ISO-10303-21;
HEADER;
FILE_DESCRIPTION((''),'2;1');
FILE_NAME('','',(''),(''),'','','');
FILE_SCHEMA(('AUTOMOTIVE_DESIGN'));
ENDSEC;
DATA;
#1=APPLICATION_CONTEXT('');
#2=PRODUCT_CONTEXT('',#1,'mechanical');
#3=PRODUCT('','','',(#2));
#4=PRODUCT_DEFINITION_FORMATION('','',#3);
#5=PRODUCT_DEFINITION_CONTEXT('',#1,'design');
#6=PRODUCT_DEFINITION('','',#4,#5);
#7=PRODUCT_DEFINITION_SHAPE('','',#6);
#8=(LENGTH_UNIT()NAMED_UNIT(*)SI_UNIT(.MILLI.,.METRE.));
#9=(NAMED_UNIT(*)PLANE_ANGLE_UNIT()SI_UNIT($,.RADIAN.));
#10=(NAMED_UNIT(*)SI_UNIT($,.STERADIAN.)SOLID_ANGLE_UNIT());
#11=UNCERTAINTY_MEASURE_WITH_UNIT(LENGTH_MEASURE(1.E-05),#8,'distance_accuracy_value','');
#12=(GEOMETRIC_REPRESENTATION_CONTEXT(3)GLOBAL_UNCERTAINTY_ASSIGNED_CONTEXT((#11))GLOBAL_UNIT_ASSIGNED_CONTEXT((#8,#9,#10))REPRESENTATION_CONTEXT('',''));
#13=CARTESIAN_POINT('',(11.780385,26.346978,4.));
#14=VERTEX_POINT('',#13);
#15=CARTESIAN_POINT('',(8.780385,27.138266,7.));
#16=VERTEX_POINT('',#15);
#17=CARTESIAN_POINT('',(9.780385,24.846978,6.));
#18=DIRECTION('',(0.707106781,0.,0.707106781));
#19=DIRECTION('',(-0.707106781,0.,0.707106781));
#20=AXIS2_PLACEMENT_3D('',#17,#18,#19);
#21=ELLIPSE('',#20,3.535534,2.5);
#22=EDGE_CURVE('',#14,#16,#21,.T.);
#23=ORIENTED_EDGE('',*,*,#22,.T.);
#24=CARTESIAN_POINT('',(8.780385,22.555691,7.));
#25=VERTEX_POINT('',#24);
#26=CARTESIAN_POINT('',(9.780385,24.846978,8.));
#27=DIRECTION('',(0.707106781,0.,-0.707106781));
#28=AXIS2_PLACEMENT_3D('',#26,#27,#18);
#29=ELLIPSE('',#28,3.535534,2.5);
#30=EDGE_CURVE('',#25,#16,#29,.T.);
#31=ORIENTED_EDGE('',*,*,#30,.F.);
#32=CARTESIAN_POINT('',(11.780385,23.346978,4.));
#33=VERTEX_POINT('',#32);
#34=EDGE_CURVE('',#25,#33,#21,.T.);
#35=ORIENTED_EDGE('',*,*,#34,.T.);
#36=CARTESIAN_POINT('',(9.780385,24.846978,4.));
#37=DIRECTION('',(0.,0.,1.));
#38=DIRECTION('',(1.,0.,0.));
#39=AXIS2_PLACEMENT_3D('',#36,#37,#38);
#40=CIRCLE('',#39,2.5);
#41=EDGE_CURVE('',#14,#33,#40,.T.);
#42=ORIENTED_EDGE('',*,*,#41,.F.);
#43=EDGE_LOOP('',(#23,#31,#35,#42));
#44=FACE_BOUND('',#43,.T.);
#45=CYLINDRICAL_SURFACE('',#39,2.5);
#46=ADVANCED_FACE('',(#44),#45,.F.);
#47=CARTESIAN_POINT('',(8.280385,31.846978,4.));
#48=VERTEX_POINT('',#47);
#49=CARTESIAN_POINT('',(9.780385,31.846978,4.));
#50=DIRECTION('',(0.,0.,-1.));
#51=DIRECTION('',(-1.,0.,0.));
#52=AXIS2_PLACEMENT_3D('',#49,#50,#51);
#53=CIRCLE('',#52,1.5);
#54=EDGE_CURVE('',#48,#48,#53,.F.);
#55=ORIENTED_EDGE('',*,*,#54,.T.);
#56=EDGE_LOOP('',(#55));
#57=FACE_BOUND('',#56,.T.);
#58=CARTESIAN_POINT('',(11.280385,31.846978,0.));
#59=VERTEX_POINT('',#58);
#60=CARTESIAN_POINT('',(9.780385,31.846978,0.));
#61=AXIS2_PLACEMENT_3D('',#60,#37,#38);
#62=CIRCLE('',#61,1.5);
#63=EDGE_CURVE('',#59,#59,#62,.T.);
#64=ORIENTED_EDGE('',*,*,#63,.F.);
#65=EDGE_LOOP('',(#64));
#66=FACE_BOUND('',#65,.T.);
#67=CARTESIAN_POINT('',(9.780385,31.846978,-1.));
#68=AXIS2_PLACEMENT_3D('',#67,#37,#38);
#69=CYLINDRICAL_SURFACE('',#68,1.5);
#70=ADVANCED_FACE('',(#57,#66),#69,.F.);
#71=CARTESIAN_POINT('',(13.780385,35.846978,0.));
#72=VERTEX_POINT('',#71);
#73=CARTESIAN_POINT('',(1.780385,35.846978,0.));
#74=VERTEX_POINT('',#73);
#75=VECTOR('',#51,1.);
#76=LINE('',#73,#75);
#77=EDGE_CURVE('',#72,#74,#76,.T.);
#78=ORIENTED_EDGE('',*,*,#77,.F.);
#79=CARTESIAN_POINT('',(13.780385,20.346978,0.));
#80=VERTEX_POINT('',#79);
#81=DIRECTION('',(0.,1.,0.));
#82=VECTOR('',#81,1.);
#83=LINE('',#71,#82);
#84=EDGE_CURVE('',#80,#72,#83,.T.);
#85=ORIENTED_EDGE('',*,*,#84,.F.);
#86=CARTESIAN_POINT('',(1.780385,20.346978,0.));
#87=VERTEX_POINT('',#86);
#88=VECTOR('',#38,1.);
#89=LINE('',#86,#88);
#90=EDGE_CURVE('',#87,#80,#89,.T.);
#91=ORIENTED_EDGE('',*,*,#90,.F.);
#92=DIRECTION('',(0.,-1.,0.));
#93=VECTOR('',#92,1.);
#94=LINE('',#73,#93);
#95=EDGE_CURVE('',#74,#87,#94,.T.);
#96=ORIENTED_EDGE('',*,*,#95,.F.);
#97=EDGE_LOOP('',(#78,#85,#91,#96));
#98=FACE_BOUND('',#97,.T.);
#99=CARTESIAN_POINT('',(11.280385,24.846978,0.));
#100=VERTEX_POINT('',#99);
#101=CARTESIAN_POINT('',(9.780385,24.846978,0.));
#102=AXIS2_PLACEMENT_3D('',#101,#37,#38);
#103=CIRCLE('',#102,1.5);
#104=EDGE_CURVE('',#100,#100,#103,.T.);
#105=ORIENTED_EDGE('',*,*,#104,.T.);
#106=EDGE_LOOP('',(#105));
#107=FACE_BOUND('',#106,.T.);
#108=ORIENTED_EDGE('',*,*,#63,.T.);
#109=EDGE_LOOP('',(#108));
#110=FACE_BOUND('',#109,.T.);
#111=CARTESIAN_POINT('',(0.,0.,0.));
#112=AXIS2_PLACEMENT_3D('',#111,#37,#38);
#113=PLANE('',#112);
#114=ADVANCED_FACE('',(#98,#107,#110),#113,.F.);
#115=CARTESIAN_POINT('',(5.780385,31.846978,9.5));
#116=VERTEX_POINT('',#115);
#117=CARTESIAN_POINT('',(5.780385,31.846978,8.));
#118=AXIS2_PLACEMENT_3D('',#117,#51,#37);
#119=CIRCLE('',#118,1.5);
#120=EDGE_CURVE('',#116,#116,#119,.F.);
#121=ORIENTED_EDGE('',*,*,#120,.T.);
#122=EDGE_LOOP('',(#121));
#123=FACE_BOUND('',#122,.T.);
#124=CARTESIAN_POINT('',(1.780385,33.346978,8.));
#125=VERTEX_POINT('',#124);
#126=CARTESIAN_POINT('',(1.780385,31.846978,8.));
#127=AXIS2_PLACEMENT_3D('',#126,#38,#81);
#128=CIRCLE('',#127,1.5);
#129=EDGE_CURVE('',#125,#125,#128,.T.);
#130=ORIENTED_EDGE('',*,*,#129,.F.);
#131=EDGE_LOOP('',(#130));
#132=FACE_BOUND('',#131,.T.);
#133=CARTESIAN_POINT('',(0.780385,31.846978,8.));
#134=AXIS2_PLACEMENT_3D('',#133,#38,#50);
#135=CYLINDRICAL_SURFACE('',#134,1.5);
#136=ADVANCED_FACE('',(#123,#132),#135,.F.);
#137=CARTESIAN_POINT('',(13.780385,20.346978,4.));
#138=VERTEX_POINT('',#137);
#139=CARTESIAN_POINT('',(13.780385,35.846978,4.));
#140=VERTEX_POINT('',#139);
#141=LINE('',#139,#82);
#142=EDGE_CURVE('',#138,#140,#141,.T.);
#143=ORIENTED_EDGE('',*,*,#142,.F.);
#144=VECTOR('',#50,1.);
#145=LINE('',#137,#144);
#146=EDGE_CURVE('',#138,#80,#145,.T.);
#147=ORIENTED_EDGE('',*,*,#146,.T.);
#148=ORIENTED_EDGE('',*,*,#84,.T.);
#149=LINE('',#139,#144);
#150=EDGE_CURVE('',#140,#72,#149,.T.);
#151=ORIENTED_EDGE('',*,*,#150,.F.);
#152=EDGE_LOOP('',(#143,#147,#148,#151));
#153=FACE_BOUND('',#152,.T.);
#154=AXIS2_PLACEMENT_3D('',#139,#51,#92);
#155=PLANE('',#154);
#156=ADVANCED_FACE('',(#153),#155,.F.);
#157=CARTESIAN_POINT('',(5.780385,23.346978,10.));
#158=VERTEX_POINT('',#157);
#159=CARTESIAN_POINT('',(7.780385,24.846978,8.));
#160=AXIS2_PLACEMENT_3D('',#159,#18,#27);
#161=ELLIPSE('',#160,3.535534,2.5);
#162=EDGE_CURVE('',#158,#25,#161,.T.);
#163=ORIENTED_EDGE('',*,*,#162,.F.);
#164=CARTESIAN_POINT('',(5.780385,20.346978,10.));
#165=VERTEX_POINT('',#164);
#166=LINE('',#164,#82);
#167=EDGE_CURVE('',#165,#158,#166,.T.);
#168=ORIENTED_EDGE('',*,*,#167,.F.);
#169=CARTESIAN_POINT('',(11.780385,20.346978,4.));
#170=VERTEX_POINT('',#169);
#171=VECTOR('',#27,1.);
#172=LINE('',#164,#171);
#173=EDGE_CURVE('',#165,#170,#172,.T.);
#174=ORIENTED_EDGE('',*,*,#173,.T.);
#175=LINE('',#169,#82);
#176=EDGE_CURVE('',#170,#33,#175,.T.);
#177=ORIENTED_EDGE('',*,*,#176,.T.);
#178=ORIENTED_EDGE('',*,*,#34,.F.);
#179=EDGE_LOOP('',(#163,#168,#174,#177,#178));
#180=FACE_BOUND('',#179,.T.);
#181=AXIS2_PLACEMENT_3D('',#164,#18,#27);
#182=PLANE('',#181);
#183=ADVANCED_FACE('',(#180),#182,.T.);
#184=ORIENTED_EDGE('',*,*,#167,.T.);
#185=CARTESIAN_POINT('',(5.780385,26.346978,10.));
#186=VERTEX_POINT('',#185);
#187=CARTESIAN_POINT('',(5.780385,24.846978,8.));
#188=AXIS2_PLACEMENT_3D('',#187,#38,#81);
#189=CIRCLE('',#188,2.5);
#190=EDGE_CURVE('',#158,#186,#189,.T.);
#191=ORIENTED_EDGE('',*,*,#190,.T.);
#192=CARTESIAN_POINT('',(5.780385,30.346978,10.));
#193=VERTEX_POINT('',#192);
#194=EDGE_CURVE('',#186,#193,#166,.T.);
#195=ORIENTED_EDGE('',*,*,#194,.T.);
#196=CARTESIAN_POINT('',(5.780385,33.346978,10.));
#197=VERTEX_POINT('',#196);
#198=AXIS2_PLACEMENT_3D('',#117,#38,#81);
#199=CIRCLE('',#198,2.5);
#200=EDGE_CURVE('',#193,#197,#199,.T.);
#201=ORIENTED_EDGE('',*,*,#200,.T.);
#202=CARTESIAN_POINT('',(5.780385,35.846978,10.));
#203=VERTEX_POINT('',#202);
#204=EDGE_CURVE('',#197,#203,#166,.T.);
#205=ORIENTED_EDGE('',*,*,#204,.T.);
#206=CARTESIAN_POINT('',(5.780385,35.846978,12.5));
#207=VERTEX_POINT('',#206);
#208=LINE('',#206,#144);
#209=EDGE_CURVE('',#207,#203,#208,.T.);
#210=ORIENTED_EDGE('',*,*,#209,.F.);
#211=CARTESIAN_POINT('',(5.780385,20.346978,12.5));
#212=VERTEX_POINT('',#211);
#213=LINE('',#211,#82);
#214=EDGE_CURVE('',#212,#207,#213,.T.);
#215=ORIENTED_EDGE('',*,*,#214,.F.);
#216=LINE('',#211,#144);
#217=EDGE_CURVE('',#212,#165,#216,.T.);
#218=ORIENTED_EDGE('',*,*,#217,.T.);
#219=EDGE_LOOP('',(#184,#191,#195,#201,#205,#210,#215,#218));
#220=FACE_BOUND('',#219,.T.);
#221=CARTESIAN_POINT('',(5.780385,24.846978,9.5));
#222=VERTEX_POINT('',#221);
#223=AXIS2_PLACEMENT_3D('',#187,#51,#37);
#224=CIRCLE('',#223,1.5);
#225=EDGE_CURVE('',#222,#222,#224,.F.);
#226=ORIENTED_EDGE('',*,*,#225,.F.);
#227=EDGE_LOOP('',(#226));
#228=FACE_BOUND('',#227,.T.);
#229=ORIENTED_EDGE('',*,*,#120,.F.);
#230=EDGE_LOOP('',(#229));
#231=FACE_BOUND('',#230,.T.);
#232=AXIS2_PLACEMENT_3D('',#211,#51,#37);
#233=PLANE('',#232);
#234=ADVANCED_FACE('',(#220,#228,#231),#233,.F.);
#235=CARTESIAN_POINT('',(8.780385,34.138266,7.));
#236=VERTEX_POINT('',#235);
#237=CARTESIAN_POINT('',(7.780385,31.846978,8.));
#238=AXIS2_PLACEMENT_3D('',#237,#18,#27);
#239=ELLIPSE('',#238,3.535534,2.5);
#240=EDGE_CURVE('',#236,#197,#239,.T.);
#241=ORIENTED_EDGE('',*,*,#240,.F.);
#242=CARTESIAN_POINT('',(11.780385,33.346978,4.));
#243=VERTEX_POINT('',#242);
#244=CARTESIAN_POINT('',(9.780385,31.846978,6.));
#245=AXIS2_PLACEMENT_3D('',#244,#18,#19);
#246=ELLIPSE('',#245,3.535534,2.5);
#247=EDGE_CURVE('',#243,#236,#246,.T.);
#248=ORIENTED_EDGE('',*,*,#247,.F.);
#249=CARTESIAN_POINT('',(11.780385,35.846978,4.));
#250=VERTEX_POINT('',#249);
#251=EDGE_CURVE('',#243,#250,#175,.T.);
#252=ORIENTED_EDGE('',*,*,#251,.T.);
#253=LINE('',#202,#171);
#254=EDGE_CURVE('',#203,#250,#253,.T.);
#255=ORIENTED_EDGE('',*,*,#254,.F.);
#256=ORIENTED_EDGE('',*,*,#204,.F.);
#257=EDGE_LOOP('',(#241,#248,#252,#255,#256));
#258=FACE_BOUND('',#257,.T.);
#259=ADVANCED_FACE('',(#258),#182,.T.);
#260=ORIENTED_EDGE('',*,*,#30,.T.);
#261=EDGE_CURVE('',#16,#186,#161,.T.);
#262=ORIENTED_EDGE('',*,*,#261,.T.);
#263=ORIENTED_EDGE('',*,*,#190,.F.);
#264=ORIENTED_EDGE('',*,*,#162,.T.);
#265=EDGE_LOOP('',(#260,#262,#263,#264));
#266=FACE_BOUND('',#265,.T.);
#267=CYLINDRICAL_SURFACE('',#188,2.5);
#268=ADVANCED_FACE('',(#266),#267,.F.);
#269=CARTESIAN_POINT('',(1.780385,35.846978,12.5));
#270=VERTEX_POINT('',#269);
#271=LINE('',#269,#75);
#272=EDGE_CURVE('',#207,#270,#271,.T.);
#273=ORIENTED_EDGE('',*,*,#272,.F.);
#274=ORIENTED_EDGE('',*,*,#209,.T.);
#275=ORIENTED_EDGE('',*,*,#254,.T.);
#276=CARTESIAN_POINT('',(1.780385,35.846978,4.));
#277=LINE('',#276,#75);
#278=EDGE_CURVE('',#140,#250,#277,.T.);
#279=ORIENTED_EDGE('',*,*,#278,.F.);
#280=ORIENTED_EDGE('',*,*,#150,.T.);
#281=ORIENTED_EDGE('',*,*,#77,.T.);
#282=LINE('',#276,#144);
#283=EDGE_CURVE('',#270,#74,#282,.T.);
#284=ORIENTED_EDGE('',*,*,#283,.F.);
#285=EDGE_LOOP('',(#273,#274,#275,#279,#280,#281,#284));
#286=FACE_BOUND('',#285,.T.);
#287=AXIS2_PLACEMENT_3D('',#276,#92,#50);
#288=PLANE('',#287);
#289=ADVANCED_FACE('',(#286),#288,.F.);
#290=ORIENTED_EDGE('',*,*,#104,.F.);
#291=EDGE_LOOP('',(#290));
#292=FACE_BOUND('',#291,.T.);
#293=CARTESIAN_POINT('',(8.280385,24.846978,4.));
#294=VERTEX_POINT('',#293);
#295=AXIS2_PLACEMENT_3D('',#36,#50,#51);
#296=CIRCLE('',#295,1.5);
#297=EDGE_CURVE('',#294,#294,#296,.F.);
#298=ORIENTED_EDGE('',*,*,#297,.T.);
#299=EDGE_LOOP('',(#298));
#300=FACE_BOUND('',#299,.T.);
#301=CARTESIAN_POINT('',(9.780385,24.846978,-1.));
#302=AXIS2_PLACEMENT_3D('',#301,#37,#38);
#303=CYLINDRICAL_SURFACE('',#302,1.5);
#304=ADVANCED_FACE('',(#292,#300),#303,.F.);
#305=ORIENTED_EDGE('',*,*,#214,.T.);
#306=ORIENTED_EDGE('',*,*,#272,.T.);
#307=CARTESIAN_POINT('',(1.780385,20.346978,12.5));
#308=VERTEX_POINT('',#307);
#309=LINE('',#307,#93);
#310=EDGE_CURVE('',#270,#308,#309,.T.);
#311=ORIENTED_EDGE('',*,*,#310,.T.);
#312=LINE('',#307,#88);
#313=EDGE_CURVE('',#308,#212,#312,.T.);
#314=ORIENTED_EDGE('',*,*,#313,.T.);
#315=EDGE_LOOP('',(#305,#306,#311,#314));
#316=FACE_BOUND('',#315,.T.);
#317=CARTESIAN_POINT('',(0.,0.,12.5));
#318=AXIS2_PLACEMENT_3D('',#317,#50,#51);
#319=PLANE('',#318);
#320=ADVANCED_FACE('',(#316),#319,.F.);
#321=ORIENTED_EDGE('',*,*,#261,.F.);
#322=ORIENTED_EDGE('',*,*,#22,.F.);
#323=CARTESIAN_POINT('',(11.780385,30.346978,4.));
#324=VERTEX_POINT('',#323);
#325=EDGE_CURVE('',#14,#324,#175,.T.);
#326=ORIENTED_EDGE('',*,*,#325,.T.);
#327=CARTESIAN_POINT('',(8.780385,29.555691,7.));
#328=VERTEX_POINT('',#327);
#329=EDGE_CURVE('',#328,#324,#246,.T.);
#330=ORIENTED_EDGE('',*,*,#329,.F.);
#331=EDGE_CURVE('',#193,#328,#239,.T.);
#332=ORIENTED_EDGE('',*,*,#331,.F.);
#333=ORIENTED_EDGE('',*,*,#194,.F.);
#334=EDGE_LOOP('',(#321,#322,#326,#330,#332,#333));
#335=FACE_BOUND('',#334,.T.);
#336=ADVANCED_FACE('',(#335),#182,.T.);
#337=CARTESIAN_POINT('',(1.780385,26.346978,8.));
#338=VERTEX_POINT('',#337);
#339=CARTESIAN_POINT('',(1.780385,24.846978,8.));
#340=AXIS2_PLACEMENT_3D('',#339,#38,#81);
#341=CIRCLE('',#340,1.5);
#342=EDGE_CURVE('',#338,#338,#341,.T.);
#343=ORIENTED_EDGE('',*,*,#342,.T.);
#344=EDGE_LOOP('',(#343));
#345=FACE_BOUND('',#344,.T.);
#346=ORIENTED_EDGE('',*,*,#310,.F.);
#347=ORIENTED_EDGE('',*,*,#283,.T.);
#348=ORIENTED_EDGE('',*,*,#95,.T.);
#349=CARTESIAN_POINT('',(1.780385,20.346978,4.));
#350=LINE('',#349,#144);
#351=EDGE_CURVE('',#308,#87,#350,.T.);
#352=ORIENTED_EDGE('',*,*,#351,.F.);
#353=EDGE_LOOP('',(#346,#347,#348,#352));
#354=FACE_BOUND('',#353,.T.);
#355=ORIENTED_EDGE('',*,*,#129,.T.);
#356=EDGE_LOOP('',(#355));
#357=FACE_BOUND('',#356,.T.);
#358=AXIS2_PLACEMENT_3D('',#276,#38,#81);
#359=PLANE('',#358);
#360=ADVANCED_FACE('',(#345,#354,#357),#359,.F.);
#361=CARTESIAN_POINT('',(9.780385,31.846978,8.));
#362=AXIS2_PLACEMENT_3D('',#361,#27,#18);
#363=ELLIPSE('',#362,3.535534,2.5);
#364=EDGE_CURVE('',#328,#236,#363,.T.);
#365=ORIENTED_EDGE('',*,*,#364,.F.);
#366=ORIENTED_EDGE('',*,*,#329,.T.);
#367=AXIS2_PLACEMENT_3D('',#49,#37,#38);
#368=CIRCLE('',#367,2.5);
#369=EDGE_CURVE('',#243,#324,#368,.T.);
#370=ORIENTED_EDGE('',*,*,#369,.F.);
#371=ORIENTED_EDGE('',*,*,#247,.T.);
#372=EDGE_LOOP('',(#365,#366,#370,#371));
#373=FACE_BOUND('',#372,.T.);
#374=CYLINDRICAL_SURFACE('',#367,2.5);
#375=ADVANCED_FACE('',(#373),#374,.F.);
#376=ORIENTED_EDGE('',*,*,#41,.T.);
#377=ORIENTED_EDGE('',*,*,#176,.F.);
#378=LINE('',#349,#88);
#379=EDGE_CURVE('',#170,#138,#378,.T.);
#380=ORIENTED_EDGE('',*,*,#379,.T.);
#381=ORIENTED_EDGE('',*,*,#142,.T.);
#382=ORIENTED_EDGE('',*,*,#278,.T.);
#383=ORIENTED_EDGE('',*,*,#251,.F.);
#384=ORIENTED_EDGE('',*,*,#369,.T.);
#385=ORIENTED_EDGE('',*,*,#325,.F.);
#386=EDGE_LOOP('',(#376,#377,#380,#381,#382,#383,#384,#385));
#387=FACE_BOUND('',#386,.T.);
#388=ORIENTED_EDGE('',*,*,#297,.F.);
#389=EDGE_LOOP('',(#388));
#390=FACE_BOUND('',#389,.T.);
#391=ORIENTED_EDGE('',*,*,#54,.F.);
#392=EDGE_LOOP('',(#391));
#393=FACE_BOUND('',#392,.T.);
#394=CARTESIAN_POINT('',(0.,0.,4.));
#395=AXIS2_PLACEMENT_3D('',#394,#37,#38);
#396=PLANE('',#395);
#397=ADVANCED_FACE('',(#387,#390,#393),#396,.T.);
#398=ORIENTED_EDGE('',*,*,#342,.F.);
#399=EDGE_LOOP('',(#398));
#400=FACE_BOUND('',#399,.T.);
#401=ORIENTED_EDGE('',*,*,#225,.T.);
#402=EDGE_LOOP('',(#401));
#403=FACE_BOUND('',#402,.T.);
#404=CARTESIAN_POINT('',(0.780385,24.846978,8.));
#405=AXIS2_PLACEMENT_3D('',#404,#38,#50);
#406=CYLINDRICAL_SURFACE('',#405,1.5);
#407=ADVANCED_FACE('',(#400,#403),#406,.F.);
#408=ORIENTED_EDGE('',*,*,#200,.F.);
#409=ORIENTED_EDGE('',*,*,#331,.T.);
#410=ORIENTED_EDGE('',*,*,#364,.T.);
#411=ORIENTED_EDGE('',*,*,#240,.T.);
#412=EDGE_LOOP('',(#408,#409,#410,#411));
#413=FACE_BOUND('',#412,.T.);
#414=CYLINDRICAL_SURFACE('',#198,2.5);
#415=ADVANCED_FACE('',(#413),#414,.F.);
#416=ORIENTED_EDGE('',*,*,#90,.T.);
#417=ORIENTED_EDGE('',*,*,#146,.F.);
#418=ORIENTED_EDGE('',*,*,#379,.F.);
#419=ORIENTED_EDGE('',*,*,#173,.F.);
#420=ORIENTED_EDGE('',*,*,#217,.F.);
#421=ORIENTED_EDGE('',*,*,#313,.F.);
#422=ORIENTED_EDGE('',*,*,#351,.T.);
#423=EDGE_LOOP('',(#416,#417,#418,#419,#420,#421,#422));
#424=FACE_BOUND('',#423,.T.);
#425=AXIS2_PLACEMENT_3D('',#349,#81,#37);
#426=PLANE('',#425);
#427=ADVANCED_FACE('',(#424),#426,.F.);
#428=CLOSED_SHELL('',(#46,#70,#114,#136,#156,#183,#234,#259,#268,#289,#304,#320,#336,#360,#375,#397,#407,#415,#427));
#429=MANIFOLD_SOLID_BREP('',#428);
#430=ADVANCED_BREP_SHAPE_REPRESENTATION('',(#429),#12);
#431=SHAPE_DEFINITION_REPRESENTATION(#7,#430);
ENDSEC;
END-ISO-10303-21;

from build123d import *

# Parameters (mm, degrees)
SKETCH1_W           = 12
SKETCH1_H           = 15.5
BOSS_EXTRUDE1_DEPTH = 4
SKETCH2_W           = 4
SKETCH2_H           = 15.5
BOSS_EXTRUDE2_DEPTH = 8.5
SKETCH3_R           = 1.5
CUT_EXTRUDE1_DEPTH  = 5
SKETCH4_R           = 1.5
CUT_EXTRUDE2_DEPTH  = 5
BOSS_EXTRUDE3_DEPTH = 15.5
SKETCH6_R           = 2.5
CUT_EXTRUDE3_DEPTH  = 8
SKETCH7_R           = 2.5
CUT_EXTRUDE4_DEPTH  = 8.5


with BuildPart() as part:
    # Sketch1 → Boss-Extrude1 (new body)
    with BuildSketch(Plane.XY):
        with Locations((7.780385216, 28.096978354)):
            Rectangle(SKETCH1_W, SKETCH1_H)
    extrude(amount=BOSS_EXTRUDE1_DEPTH)

    # Sketch2 → Boss-Extrude2 (add)
    with BuildSketch(Plane.XY.offset(4)):
        with Locations((3.780385216, 28.096978354)):
            Rectangle(SKETCH2_W, SKETCH2_H)
    extrude(amount=BOSS_EXTRUDE2_DEPTH)

    # Sketch3 → Cut-Extrude1 (cut)
    with BuildSketch(Plane(origin=(5.780385216, 0, 0), x_dir=(0, 0, -1), z_dir=(1, 0, 0))):
        with Locations((-8, 24.846978354)):
            Circle(SKETCH3_R)
        with Locations((-8, 31.846978354)):
            Circle(SKETCH3_R)
    extrude(amount=-CUT_EXTRUDE1_DEPTH, mode=Mode.SUBTRACT)

    # Sketch4 → Cut-Extrude2 (cut)
    with BuildSketch(Plane.XY.offset(4)):
        with Locations((9.780385216, 24.846978354)):
            Circle(SKETCH4_R)
        with Locations((9.780385216, 31.846978354)):
            Circle(SKETCH4_R)
    extrude(amount=-CUT_EXTRUDE2_DEPTH, mode=Mode.SUBTRACT)

    # Sketch5 → Boss-Extrude3 (add)
    with BuildSketch(Plane(origin=(0, 35.846978354, 0), x_dir=(1, 0, 0), z_dir=(0, 1, 0))):
        Polygon((5.780385216, -4), (5.780385216, -10), (11.780385216, -4), align=None)
    extrude(amount=-BOSS_EXTRUDE3_DEPTH)

    # Sketch6 → Cut-Extrude3 (cut)
    with BuildSketch(Plane(origin=(13.780385216, 0, 0), x_dir=(0, 0, -1), z_dir=(1, 0, 0))):
        with Locations((-8, 31.846978354)):
            Circle(SKETCH6_R)
        with Locations((-8, 24.846978354)):
            Circle(SKETCH6_R)
    extrude(amount=-CUT_EXTRUDE3_DEPTH, mode=Mode.SUBTRACT)

    # Sketch7 → Cut-Extrude4 (cut)
    with BuildSketch(Plane.XY.offset(12.5)):
        with Locations((9.780385216, 31.846978354)):
            Circle(SKETCH7_R)
        with Locations((9.780385216, 24.846978354)):
            Circle(SKETCH7_R)
    extrude(amount=-CUT_EXTRUDE4_DEPTH, mode=Mode.SUBTRACT)


solid = part.part
